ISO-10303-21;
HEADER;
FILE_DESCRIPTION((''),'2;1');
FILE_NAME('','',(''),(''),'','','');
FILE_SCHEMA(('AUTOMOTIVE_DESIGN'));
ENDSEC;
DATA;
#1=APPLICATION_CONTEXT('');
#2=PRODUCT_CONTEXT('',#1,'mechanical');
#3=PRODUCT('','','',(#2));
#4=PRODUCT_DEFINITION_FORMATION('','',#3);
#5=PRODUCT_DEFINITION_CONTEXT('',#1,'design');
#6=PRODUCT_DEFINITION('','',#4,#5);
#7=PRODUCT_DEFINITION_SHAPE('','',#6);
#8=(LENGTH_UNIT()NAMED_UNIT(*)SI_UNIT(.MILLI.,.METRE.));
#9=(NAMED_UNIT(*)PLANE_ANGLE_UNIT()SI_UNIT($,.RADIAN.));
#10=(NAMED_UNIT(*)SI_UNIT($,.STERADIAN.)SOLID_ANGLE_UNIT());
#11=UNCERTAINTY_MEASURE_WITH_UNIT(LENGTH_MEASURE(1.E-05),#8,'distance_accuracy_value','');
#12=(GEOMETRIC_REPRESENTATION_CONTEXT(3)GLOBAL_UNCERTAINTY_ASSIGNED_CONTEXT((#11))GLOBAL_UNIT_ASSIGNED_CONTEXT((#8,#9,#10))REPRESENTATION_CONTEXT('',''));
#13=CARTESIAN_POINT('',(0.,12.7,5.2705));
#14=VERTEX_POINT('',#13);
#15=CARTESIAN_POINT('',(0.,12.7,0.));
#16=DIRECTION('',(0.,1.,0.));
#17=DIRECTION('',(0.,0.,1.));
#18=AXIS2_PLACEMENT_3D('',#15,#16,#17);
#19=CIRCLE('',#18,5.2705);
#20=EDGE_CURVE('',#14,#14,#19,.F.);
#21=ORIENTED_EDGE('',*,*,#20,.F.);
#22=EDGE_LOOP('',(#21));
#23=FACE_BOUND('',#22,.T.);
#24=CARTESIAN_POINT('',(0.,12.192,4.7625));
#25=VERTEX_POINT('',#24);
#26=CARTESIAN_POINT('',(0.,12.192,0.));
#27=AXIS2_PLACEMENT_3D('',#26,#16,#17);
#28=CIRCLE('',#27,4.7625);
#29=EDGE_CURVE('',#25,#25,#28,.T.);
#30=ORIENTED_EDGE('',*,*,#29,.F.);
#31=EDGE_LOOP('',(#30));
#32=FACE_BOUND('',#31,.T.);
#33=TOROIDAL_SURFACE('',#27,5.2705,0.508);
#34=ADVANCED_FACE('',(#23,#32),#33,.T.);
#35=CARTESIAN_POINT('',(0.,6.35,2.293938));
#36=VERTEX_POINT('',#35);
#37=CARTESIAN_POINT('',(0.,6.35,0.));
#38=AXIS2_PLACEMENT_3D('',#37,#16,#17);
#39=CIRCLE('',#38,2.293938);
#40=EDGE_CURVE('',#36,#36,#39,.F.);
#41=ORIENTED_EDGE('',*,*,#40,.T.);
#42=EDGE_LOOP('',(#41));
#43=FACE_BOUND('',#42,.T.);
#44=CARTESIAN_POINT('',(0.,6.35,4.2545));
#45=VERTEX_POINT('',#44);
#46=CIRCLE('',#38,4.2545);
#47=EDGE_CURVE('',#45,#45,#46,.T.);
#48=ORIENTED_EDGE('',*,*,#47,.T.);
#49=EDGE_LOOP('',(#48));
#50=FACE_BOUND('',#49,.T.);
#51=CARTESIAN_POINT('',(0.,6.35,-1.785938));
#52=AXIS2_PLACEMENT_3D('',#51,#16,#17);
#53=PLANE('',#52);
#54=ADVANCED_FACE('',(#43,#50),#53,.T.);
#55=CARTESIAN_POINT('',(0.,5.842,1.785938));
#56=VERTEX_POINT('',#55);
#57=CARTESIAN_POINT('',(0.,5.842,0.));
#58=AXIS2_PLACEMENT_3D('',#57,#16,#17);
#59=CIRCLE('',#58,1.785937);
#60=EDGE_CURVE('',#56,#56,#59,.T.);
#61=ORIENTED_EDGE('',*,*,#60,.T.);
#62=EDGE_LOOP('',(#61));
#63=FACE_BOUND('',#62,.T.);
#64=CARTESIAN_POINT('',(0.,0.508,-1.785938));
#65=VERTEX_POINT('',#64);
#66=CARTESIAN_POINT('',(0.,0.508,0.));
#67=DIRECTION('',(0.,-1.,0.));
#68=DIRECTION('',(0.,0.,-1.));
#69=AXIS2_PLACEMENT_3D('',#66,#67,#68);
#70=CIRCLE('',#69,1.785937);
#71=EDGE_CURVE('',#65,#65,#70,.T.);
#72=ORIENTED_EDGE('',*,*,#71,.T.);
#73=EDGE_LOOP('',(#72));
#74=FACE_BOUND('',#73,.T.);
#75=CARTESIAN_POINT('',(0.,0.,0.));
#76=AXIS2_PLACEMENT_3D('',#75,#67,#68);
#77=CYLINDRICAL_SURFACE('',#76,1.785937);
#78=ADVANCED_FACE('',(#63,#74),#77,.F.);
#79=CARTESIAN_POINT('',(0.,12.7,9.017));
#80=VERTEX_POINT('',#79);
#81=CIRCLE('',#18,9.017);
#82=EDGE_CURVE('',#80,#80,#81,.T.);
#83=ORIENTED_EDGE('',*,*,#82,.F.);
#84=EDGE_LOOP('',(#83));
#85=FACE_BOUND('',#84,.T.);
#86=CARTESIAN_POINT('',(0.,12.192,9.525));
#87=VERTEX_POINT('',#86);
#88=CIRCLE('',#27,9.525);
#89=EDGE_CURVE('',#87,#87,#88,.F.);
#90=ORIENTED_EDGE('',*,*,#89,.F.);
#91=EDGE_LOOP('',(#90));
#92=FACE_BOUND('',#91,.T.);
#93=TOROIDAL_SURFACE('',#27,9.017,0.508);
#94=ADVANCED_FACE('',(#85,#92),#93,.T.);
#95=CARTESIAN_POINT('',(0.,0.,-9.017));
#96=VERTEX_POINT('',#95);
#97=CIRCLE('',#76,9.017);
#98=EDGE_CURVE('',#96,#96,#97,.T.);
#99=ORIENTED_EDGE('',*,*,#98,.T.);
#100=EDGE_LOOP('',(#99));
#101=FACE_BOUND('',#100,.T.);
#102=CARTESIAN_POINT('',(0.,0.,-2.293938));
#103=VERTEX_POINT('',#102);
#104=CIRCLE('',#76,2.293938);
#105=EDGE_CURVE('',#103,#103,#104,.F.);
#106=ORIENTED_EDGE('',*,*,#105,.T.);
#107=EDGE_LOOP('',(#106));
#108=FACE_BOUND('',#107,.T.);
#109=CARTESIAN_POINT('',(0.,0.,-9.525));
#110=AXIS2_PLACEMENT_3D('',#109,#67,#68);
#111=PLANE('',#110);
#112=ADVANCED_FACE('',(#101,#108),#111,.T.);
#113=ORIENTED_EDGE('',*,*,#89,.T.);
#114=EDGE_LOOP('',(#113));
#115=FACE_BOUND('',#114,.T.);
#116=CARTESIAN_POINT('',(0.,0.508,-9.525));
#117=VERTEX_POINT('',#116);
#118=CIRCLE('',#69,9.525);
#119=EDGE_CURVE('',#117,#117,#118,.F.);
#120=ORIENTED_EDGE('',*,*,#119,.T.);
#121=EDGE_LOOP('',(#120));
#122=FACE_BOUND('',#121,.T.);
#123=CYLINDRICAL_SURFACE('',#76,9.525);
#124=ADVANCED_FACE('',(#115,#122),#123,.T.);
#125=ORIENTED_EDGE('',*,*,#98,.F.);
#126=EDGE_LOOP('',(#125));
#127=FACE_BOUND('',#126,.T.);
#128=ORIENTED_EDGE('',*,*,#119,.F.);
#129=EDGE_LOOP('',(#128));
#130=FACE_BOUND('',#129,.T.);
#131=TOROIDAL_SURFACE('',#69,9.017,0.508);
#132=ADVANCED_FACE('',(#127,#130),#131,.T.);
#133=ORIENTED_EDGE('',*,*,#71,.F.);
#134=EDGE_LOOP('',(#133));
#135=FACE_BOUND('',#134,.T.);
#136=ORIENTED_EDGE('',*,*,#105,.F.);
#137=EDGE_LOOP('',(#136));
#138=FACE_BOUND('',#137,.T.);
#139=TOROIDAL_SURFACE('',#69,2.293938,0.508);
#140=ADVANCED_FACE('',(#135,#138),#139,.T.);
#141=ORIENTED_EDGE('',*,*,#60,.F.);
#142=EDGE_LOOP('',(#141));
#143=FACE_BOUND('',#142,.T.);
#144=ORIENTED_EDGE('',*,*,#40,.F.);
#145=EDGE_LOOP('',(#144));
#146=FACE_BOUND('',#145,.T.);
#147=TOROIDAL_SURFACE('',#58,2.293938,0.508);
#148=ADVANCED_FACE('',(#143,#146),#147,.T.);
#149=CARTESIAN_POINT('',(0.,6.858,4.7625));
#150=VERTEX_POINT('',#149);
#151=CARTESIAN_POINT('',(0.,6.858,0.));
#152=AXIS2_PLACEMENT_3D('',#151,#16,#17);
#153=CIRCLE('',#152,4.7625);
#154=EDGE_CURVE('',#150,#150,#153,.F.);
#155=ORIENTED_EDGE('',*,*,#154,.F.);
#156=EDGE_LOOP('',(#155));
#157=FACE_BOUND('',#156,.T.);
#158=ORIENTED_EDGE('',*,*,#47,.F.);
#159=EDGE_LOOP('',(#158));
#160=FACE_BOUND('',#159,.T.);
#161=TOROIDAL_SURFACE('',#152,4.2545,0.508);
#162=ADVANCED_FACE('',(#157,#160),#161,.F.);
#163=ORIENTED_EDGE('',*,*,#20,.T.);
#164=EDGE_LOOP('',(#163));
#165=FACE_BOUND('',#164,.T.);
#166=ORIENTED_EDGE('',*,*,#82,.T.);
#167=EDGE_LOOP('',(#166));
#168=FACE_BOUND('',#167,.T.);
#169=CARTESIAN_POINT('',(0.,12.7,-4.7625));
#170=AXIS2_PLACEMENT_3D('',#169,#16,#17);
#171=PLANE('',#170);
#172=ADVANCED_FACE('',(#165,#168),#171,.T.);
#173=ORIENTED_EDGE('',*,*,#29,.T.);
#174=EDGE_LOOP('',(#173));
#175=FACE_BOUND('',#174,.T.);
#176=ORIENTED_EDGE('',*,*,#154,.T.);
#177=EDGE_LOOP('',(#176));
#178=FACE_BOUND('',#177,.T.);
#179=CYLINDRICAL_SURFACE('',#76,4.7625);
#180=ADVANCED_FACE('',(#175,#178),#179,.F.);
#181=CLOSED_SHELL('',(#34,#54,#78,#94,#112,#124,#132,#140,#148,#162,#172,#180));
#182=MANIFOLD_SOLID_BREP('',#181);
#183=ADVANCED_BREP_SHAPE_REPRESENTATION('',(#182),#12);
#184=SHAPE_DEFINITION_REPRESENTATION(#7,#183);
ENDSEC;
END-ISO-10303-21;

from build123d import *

# Parameters (mm, degrees)
FILLET1_R = 0.508


with BuildPart() as part:
    # Sketch1 → Revolve1 (revolve)
    with BuildSketch(Plane(origin=(0, 0, 0), x_dir=(0, 0, -1), z_dir=(1, 0, 0))):
        Polygon((1.7859375, 6.35), (4.7625, 6.35), (4.7625, 12.7), (9.525, 12.7), (9.525, 0), (1.7859375, 0), align=None)
    revolve(axis=Axis((0, 0, 0), (0, 1, 0)))

    # Fillet1
    fillet1_edges = [part.edges().sort_by_distance(p)[0] for p in [
        (0, 6.35, 4.7625),
        (0, 6.35, 1.7859375),
        (0, 0, 1.7859375),
        (0, 0, 9.525),
        (0, 12.7, 9.525),
        (0, 12.7, 4.7625),
    ]]
    fillet(fillet1_edges, radius=FILLET1_R)


solid = part.part
